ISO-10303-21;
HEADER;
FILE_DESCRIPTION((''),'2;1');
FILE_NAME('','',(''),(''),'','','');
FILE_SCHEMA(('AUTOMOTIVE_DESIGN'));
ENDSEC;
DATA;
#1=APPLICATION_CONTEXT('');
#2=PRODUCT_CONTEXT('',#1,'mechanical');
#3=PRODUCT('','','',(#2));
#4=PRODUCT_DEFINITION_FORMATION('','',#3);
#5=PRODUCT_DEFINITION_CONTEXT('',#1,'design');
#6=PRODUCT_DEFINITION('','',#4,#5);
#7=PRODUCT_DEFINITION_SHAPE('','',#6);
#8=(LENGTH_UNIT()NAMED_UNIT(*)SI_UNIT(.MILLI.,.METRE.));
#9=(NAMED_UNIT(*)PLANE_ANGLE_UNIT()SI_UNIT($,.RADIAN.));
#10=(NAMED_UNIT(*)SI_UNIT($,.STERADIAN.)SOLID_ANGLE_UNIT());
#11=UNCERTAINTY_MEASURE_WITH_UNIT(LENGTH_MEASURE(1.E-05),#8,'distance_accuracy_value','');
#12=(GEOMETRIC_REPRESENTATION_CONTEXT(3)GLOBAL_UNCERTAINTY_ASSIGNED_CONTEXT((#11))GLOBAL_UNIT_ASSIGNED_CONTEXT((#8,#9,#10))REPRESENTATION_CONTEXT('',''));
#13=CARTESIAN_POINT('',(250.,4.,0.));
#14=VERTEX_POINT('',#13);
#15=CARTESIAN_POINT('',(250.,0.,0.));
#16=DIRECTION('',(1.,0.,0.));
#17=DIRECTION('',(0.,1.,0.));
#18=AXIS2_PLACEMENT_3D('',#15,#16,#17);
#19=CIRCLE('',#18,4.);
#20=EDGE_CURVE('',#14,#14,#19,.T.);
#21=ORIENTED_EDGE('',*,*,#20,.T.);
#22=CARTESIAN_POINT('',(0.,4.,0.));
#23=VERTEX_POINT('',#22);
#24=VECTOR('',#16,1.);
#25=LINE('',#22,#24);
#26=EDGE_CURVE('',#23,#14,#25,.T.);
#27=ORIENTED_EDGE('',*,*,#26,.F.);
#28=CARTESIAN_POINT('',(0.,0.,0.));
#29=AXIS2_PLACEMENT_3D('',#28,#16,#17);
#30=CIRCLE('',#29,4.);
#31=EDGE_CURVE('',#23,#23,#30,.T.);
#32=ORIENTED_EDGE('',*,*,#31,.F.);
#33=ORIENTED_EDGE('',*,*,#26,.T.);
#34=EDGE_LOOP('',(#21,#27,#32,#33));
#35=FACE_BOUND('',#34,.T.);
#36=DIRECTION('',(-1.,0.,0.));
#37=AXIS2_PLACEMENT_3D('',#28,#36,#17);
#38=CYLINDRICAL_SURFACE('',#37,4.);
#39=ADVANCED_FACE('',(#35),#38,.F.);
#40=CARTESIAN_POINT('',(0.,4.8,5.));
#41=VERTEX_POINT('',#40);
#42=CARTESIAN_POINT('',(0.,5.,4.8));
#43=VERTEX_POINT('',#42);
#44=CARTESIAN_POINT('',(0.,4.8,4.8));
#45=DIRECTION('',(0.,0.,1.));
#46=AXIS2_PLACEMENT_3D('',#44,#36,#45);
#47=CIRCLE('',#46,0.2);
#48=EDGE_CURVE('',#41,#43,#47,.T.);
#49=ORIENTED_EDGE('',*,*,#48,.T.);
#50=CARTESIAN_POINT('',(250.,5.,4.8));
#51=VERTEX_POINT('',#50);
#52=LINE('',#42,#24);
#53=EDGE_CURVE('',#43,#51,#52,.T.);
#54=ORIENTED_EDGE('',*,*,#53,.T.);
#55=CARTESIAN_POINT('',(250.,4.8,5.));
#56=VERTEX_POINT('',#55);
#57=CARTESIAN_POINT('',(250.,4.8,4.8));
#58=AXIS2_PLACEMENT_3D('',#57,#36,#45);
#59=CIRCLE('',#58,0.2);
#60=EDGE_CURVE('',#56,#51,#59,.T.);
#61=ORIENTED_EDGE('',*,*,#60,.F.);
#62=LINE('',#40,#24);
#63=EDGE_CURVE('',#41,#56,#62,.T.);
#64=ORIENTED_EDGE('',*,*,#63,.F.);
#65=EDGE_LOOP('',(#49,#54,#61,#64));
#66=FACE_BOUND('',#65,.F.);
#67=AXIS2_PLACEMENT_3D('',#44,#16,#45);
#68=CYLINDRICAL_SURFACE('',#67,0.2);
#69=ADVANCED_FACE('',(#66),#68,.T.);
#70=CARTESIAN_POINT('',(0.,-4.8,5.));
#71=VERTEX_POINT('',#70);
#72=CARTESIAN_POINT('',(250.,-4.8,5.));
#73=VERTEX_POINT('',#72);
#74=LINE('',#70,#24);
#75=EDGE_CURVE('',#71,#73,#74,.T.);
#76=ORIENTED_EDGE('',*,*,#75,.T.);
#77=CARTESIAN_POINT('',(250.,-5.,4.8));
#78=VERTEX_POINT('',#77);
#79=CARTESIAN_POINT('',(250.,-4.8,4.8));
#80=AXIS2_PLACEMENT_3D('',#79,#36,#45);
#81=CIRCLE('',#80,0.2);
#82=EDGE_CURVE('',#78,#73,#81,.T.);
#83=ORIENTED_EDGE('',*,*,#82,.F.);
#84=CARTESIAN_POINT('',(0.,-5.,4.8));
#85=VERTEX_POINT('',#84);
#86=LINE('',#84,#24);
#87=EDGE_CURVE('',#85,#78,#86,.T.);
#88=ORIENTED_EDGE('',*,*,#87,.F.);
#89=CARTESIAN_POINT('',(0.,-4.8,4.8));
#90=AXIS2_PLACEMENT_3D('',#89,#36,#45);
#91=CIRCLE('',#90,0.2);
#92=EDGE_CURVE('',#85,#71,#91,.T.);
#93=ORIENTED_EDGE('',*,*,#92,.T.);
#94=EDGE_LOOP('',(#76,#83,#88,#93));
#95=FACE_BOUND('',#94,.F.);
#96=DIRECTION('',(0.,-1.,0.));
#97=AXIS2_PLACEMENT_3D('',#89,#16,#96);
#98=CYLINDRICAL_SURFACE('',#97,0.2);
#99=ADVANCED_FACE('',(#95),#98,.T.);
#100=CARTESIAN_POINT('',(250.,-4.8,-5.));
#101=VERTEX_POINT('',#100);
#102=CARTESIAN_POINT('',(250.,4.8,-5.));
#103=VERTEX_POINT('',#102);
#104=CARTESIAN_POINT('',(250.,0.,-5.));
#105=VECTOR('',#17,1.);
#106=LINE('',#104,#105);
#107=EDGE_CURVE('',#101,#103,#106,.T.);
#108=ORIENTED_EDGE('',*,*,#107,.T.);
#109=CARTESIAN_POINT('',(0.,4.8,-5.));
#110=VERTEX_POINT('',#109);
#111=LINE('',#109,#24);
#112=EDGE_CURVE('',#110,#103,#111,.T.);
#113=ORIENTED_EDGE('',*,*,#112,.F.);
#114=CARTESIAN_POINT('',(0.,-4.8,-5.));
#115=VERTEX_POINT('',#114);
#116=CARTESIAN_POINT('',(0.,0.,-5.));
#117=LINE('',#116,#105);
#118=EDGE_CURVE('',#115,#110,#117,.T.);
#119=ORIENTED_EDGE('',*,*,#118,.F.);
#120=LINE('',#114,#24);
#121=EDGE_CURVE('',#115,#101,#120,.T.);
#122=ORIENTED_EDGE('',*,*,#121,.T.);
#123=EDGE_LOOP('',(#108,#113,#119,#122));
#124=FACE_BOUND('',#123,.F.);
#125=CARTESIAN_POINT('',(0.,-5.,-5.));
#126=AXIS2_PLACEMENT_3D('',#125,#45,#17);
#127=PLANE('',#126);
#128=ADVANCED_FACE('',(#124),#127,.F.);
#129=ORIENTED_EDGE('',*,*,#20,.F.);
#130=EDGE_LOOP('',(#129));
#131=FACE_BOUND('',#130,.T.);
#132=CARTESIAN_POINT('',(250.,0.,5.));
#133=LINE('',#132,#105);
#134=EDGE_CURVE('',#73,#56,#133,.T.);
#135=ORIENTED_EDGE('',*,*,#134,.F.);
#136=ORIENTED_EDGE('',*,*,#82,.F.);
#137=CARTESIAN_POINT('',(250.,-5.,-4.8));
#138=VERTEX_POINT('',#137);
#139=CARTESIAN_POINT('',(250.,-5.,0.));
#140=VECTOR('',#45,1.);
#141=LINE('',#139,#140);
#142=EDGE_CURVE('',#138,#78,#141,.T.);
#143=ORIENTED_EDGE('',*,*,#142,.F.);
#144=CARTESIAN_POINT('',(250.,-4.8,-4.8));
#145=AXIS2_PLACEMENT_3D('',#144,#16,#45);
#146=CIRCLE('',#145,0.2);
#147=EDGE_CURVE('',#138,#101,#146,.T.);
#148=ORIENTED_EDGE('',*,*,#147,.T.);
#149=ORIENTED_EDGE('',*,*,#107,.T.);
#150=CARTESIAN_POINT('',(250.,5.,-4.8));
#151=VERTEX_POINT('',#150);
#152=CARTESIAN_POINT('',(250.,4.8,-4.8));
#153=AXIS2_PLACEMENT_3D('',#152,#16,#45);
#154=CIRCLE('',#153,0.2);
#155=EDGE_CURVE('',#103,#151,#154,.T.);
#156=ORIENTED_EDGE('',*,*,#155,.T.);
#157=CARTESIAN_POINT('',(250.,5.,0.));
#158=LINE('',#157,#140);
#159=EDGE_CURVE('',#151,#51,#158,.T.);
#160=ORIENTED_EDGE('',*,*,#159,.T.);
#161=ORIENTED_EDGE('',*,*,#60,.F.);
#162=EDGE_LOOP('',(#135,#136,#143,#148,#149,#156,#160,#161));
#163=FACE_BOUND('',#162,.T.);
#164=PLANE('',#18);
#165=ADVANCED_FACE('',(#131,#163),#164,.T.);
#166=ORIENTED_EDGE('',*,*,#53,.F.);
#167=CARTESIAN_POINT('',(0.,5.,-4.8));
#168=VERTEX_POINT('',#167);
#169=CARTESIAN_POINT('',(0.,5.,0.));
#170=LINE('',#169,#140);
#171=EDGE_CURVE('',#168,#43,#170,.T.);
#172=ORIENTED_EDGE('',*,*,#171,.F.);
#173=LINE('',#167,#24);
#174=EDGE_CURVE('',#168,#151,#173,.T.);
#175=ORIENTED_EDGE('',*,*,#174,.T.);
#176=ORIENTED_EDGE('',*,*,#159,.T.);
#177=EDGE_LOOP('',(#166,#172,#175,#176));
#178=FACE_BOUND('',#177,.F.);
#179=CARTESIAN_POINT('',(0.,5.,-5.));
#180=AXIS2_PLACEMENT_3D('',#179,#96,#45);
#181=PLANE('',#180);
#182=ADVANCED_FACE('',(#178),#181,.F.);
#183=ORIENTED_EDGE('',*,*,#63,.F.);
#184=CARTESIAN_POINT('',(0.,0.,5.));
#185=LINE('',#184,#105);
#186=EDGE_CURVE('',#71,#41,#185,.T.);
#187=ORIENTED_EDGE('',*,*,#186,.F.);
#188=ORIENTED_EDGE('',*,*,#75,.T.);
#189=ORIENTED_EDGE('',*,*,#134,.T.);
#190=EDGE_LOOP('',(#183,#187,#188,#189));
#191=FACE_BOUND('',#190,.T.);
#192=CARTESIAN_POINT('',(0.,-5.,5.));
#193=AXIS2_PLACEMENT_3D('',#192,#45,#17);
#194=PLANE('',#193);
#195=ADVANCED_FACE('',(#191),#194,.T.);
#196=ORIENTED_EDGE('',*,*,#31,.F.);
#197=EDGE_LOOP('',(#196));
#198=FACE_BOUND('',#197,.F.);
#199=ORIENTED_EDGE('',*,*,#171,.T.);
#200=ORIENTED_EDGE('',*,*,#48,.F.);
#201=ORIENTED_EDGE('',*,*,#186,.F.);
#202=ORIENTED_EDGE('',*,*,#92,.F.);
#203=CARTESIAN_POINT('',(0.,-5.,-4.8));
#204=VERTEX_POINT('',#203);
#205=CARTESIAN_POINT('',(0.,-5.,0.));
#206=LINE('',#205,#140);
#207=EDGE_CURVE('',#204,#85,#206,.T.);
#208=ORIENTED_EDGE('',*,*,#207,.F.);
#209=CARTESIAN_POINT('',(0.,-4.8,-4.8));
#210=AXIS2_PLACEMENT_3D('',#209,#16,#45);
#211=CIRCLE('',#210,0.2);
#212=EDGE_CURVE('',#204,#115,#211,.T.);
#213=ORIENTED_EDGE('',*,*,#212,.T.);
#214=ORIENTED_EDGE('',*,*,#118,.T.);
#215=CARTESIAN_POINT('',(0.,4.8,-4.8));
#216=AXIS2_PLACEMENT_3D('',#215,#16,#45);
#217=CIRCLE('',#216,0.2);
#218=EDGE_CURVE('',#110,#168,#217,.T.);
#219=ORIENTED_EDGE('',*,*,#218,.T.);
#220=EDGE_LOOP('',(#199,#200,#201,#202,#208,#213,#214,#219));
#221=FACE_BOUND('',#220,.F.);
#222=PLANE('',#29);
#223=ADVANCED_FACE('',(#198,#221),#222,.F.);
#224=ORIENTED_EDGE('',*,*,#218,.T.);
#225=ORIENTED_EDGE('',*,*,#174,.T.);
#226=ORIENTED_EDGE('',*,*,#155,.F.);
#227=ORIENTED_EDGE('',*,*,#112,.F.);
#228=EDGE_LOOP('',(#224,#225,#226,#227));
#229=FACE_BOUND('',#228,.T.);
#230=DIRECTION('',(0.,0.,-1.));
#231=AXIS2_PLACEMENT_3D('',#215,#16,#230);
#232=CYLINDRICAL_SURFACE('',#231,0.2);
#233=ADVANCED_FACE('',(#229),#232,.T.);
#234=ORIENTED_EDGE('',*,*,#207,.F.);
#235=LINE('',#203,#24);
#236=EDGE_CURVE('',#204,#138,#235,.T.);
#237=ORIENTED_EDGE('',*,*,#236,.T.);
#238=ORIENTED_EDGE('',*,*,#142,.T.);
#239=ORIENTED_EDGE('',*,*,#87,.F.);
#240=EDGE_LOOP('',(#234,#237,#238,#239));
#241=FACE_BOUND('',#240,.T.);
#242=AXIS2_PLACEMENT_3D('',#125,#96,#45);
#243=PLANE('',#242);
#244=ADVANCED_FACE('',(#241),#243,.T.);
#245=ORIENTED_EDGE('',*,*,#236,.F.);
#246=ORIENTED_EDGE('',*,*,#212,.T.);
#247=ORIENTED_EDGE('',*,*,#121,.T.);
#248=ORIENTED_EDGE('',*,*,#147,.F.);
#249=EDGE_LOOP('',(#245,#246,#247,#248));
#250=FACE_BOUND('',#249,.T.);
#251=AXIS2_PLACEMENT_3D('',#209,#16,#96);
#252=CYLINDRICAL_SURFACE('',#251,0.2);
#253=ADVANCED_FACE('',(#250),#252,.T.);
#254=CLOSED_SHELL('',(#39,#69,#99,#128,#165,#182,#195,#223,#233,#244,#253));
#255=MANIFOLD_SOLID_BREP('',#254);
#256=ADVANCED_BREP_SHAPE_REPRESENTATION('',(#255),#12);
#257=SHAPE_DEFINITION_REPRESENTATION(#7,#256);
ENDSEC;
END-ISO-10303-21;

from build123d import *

# Parameters (mm, degrees)
F0_W     = 10
F0_H     = 10
F0_R     = 4
F1_DEPTH = 250
F2_R     = 0.2


with BuildPart() as f1:
    # F0 (on Right) → F1 (new body)
    with BuildSketch(Plane.YZ):
        Rectangle(F0_W, F0_H)
        Circle(F0_R, mode=Mode.SUBTRACT)
    extrude(amount=F1_DEPTH)

    # F2
    f2_edges = [f1.edges().sort_by_distance(p)[0] for p in [
        (125, 5, 5),
        (125, 5, -5),
        (125, -5, 5),
        (125, -5, -5),
    ]]
    fillet(f2_edges, radius=F2_R)


solid = f1.part
